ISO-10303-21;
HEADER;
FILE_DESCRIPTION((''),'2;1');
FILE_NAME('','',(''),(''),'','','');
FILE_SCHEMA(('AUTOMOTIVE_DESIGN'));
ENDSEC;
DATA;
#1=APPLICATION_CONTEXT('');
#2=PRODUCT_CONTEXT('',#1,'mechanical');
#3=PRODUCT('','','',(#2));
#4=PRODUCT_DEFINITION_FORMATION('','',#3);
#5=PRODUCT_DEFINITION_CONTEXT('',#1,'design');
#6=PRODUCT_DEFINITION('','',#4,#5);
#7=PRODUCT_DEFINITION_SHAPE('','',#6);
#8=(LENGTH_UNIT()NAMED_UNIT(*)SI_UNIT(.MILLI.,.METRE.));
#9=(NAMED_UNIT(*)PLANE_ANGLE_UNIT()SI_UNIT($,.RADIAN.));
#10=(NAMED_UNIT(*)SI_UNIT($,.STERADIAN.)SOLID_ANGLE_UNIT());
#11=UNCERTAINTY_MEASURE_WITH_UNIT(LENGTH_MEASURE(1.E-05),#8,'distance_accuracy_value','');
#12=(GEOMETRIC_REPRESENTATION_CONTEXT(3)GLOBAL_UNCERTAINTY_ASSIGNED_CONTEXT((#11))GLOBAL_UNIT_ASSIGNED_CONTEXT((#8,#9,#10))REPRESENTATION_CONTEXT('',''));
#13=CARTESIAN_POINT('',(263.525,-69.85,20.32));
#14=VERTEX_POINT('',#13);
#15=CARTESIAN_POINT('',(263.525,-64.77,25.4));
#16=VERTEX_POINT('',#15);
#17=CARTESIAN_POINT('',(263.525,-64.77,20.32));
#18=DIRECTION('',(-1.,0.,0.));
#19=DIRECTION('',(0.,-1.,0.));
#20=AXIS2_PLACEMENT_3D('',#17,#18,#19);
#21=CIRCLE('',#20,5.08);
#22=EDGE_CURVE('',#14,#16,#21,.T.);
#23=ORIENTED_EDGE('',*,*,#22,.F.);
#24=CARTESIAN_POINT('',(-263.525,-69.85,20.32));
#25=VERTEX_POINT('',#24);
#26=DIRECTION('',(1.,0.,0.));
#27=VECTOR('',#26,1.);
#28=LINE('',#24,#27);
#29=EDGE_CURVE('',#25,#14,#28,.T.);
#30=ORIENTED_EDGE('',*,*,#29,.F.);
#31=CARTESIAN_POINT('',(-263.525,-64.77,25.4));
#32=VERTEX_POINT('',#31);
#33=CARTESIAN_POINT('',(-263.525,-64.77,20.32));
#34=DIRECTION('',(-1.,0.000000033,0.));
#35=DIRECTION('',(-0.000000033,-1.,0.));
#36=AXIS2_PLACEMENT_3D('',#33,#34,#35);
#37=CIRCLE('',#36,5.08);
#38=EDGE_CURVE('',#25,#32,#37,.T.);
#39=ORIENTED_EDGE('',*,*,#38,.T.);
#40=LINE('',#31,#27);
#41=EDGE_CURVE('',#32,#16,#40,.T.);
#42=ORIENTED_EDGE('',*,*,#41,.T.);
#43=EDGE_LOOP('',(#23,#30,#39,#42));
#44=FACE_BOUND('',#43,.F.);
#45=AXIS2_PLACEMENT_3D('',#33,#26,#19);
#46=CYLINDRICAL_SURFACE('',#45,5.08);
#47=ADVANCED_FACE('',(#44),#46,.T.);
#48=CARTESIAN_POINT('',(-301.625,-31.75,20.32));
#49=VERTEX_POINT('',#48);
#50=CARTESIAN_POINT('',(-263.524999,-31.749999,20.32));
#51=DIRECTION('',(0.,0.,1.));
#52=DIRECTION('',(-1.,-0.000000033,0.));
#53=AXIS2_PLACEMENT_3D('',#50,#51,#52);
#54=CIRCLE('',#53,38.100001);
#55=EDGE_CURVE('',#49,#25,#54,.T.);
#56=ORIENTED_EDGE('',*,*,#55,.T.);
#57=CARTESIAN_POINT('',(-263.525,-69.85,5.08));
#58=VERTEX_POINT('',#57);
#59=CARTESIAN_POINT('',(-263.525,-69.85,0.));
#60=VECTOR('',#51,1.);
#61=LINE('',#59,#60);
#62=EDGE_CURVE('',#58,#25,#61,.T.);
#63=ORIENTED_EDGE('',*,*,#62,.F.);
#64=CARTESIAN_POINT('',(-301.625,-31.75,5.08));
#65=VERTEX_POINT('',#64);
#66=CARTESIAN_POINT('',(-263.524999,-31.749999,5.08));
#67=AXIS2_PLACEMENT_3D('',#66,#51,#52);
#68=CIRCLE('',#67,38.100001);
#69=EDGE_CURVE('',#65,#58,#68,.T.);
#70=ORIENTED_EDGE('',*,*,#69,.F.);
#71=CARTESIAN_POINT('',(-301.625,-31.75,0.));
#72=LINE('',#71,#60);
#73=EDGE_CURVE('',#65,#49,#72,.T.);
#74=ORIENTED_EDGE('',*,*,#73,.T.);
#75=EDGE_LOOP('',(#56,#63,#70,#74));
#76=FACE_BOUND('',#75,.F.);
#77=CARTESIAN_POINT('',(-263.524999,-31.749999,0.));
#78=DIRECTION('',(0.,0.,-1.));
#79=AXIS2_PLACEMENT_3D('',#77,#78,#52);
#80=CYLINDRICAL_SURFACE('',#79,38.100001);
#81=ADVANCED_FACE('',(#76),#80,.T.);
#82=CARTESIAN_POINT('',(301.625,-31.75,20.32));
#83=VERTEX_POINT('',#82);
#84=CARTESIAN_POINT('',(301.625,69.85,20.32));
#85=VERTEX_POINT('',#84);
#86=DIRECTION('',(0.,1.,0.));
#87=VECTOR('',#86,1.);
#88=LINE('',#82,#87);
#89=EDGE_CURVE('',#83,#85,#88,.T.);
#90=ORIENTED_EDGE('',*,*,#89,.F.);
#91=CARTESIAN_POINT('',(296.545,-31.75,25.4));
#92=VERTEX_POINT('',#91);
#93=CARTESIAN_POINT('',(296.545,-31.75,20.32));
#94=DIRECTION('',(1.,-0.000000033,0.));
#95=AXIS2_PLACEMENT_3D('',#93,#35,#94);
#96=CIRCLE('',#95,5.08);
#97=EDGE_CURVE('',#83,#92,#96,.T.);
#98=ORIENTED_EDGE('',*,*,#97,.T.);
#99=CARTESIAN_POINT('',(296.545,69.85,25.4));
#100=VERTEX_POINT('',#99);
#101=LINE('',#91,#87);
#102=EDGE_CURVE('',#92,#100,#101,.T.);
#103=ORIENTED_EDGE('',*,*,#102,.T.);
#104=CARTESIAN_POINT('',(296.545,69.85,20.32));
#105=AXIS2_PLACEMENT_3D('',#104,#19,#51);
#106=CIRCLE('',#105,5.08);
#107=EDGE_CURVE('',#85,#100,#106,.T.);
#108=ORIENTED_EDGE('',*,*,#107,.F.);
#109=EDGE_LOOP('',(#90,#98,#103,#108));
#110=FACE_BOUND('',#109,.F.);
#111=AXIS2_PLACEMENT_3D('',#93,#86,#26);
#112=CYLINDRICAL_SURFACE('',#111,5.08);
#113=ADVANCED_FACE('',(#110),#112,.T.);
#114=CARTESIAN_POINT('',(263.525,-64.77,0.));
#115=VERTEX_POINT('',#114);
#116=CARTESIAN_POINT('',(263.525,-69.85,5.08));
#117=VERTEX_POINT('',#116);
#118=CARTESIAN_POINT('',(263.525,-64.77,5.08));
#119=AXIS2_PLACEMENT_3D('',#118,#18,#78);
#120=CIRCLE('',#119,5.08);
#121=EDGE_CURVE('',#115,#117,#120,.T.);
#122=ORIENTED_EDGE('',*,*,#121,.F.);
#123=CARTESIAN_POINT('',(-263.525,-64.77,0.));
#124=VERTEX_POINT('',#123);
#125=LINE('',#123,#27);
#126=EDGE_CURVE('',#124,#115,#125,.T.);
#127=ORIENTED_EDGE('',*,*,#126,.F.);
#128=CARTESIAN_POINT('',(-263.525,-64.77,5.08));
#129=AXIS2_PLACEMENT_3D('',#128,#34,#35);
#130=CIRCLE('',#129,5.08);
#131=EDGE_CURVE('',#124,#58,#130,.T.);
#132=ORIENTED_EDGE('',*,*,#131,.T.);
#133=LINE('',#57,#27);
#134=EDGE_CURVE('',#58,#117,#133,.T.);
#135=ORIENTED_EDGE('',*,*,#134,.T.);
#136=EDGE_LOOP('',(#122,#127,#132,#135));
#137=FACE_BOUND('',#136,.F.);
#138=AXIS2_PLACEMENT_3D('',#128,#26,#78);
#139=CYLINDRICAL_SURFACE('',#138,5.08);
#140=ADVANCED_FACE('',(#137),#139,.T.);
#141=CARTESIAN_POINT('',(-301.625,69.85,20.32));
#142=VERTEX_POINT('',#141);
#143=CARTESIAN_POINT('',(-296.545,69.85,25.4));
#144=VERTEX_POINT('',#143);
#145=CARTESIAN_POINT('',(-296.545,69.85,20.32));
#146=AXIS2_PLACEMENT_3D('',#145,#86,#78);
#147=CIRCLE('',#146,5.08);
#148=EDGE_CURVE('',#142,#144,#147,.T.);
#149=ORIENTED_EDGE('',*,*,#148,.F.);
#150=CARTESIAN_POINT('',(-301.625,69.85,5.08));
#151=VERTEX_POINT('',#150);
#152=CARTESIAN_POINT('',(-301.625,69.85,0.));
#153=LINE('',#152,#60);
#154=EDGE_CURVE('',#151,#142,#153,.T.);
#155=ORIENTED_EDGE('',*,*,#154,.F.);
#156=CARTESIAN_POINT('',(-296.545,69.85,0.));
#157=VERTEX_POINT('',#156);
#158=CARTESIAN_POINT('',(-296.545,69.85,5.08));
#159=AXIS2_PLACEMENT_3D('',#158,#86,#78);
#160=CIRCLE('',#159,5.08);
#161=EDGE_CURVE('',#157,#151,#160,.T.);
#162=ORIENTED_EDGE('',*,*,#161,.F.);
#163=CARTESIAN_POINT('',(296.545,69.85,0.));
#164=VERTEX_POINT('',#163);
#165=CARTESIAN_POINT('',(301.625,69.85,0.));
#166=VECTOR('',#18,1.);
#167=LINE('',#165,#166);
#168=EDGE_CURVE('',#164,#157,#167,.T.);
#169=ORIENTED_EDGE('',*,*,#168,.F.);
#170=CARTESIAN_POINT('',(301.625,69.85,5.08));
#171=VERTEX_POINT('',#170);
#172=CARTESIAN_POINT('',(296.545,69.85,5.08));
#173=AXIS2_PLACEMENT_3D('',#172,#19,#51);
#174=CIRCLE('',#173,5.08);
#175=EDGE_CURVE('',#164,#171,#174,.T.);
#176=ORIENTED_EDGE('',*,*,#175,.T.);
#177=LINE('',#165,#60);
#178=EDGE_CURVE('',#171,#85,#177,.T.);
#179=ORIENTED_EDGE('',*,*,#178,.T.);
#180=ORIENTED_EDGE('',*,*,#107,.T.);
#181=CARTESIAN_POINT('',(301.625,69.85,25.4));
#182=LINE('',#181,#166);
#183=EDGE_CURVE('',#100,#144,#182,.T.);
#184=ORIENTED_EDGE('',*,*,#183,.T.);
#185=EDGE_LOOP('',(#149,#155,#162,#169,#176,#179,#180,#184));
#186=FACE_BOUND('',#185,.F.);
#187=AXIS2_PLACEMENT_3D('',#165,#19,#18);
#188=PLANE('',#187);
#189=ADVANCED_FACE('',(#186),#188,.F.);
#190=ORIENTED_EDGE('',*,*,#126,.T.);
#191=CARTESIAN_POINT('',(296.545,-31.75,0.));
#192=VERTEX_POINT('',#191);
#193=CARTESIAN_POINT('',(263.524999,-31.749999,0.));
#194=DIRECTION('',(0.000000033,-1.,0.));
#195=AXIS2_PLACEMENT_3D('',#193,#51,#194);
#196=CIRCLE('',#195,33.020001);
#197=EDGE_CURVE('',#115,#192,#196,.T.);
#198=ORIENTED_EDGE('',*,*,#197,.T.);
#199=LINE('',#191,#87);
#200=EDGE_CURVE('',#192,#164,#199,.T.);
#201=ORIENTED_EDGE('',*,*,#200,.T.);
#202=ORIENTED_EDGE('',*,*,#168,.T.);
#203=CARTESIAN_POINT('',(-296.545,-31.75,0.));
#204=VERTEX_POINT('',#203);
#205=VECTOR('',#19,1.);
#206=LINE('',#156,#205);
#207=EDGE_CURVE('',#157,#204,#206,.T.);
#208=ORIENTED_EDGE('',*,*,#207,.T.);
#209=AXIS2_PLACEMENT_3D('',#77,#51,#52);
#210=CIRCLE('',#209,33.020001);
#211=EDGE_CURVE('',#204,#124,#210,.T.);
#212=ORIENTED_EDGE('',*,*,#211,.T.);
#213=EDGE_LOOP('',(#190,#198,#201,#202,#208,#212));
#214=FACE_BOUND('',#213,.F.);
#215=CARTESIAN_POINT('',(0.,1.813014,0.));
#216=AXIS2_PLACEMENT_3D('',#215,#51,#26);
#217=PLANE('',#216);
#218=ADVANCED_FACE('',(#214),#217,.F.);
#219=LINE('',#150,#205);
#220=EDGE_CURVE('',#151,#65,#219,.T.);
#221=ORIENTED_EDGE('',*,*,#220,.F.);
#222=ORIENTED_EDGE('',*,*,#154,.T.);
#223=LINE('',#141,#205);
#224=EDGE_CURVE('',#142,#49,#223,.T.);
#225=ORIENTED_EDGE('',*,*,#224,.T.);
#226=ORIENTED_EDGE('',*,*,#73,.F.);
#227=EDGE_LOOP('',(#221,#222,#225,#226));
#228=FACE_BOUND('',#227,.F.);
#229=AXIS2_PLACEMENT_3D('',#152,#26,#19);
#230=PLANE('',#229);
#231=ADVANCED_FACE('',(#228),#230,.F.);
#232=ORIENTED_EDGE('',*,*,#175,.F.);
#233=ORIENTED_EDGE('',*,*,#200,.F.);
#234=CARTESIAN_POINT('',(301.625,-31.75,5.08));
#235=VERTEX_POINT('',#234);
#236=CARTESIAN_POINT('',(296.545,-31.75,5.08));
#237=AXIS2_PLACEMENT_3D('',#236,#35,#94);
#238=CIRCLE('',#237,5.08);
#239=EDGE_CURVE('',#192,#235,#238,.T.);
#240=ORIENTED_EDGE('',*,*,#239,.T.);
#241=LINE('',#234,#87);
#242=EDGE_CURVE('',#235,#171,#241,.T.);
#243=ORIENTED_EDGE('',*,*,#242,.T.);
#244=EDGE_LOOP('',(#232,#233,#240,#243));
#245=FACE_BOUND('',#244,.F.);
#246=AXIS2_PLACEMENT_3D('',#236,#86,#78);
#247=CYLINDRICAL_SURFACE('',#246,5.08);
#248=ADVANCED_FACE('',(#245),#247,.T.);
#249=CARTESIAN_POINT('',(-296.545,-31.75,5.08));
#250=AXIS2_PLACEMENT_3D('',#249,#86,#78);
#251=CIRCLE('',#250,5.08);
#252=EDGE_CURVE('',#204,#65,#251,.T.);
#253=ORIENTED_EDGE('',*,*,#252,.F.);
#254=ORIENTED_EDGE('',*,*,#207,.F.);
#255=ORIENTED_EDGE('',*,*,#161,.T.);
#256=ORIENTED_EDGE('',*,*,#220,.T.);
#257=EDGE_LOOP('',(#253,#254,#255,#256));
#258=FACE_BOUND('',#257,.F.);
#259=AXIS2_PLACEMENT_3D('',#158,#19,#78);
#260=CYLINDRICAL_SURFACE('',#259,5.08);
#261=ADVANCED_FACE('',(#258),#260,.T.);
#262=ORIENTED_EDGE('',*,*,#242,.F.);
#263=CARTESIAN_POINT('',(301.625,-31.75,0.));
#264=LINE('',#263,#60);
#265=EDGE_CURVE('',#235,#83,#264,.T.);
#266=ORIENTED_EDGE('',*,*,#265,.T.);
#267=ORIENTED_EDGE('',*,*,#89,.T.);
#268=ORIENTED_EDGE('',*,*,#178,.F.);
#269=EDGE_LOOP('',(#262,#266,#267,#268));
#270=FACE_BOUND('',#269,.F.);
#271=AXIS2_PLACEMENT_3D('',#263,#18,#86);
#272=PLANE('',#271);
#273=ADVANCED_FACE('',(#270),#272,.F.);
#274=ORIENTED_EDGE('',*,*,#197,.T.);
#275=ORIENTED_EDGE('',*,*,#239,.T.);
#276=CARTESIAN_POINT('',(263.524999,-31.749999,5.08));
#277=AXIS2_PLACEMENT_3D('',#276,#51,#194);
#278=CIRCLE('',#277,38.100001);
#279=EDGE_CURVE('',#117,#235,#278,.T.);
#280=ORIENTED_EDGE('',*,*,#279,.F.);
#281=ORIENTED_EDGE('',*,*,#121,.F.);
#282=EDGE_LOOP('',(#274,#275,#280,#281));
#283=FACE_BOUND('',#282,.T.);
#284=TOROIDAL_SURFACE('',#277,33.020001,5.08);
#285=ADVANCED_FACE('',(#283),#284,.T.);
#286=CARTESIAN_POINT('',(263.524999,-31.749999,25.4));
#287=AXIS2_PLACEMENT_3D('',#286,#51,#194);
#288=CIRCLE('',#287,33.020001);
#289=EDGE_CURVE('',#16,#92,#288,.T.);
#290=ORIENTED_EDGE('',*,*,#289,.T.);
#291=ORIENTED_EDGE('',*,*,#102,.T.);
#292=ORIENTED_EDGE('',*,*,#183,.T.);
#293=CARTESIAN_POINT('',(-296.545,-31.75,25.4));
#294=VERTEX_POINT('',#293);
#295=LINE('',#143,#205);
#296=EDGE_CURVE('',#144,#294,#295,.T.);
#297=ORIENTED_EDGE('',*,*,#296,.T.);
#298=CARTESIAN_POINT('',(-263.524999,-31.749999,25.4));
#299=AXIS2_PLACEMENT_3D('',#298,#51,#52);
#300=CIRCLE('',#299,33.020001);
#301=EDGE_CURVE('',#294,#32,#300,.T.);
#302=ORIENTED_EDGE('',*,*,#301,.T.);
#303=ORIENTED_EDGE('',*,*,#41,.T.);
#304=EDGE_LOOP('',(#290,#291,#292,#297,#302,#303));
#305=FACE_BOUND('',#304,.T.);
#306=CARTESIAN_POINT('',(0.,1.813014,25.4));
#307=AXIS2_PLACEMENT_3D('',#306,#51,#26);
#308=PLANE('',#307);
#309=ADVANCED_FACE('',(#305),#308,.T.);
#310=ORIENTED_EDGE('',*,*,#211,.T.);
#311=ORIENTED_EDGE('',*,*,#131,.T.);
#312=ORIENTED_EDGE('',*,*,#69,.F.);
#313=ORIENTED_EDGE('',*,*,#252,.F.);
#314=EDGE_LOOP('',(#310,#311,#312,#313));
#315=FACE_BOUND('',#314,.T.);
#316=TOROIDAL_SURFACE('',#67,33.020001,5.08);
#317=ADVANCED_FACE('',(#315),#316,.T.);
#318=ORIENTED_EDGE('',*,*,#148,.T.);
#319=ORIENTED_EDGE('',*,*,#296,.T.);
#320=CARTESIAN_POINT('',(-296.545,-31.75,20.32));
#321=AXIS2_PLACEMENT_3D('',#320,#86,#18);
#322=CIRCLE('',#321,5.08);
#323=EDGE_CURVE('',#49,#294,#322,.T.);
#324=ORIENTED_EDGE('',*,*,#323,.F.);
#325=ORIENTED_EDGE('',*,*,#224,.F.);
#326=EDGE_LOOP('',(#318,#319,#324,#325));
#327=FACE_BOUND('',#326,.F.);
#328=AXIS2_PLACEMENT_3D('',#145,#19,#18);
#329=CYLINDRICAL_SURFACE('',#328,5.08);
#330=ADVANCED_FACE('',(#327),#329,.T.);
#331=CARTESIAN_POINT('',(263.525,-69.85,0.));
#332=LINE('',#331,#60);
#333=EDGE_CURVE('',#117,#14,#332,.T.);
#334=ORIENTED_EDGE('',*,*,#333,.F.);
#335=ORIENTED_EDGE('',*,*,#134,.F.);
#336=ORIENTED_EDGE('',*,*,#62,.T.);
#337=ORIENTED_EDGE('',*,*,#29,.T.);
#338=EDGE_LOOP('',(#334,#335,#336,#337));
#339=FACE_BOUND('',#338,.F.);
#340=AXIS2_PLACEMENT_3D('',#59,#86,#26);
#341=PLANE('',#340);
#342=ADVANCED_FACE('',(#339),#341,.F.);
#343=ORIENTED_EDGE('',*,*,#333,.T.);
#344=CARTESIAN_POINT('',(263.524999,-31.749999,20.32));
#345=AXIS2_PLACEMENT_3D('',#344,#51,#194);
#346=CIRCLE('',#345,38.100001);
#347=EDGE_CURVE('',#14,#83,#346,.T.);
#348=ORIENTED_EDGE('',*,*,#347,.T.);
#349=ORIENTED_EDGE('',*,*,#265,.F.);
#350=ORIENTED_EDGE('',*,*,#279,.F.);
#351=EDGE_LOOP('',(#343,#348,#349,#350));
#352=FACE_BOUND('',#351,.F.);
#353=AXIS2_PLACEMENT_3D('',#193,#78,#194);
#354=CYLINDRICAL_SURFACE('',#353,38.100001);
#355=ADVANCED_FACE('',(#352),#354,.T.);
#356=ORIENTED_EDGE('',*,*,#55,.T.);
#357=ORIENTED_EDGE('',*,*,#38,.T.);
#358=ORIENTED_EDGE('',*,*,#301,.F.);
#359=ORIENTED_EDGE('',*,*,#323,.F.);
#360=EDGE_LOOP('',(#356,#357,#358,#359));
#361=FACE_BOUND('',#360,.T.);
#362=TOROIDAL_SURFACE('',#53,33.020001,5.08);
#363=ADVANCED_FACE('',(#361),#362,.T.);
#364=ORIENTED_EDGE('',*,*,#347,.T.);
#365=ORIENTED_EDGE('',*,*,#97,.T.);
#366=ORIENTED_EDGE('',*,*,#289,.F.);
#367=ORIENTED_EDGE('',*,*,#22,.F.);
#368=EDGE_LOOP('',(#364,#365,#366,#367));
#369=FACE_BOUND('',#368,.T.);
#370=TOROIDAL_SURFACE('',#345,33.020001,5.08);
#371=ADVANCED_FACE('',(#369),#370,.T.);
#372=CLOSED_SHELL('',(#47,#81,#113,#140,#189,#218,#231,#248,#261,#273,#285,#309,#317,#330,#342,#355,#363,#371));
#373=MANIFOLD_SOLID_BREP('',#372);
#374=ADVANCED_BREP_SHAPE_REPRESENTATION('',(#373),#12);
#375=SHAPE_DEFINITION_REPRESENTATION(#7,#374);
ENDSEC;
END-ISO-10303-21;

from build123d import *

# Parameters (mm, degrees)
F1_DEPTH = 25.4
F2_R     = 5.08
F3_R     = 5.08


with BuildPart() as f1:
    # F0 (on Top) → F1 (new body)
    with BuildSketch(Plane.XY):
        with BuildLine():
            Line((301.625, -31.75), (301.625, 69.85))
            Line((301.625, 69.85), (-301.625, 69.85))
            Line((-301.625, 69.85), (-301.625, -31.75))
            ThreePointArc((-301.625, -31.75), (-290.465768, -58.690768), (-263.525, -69.85))
            Line((-263.525, -69.85), (263.525, -69.85))
            ThreePointArc((263.525, -69.85), (290.465768, -58.690768), (301.625, -31.75))
        make_face()
    extrude(amount=F1_DEPTH)

    # F2
    f2_edges = [f1.edges().sort_by_distance(p)[0] for p in [
        (0, -69.85, 25.4),
        (301.625, 19.05, 25.4),
        (-290.465768, -58.690768, 25.4),
        (-301.625, 19.05, 25.4),
        (290.465768, -58.690768, 25.4),
    ]]
    fillet(f2_edges, radius=F2_R)

    # F3
    f3_edges = [f1.edges().sort_by_distance(p)[0] for p in [
        (-301.625, 19.05, 0),
        (-290.465768, -58.690768, 0),
        (0, -69.85, 0),
        (290.465768, -58.690768, 0),
        (301.625, 19.05, 0),
    ]]
    fillet(f3_edges, radius=F3_R)


solid = f1.part
